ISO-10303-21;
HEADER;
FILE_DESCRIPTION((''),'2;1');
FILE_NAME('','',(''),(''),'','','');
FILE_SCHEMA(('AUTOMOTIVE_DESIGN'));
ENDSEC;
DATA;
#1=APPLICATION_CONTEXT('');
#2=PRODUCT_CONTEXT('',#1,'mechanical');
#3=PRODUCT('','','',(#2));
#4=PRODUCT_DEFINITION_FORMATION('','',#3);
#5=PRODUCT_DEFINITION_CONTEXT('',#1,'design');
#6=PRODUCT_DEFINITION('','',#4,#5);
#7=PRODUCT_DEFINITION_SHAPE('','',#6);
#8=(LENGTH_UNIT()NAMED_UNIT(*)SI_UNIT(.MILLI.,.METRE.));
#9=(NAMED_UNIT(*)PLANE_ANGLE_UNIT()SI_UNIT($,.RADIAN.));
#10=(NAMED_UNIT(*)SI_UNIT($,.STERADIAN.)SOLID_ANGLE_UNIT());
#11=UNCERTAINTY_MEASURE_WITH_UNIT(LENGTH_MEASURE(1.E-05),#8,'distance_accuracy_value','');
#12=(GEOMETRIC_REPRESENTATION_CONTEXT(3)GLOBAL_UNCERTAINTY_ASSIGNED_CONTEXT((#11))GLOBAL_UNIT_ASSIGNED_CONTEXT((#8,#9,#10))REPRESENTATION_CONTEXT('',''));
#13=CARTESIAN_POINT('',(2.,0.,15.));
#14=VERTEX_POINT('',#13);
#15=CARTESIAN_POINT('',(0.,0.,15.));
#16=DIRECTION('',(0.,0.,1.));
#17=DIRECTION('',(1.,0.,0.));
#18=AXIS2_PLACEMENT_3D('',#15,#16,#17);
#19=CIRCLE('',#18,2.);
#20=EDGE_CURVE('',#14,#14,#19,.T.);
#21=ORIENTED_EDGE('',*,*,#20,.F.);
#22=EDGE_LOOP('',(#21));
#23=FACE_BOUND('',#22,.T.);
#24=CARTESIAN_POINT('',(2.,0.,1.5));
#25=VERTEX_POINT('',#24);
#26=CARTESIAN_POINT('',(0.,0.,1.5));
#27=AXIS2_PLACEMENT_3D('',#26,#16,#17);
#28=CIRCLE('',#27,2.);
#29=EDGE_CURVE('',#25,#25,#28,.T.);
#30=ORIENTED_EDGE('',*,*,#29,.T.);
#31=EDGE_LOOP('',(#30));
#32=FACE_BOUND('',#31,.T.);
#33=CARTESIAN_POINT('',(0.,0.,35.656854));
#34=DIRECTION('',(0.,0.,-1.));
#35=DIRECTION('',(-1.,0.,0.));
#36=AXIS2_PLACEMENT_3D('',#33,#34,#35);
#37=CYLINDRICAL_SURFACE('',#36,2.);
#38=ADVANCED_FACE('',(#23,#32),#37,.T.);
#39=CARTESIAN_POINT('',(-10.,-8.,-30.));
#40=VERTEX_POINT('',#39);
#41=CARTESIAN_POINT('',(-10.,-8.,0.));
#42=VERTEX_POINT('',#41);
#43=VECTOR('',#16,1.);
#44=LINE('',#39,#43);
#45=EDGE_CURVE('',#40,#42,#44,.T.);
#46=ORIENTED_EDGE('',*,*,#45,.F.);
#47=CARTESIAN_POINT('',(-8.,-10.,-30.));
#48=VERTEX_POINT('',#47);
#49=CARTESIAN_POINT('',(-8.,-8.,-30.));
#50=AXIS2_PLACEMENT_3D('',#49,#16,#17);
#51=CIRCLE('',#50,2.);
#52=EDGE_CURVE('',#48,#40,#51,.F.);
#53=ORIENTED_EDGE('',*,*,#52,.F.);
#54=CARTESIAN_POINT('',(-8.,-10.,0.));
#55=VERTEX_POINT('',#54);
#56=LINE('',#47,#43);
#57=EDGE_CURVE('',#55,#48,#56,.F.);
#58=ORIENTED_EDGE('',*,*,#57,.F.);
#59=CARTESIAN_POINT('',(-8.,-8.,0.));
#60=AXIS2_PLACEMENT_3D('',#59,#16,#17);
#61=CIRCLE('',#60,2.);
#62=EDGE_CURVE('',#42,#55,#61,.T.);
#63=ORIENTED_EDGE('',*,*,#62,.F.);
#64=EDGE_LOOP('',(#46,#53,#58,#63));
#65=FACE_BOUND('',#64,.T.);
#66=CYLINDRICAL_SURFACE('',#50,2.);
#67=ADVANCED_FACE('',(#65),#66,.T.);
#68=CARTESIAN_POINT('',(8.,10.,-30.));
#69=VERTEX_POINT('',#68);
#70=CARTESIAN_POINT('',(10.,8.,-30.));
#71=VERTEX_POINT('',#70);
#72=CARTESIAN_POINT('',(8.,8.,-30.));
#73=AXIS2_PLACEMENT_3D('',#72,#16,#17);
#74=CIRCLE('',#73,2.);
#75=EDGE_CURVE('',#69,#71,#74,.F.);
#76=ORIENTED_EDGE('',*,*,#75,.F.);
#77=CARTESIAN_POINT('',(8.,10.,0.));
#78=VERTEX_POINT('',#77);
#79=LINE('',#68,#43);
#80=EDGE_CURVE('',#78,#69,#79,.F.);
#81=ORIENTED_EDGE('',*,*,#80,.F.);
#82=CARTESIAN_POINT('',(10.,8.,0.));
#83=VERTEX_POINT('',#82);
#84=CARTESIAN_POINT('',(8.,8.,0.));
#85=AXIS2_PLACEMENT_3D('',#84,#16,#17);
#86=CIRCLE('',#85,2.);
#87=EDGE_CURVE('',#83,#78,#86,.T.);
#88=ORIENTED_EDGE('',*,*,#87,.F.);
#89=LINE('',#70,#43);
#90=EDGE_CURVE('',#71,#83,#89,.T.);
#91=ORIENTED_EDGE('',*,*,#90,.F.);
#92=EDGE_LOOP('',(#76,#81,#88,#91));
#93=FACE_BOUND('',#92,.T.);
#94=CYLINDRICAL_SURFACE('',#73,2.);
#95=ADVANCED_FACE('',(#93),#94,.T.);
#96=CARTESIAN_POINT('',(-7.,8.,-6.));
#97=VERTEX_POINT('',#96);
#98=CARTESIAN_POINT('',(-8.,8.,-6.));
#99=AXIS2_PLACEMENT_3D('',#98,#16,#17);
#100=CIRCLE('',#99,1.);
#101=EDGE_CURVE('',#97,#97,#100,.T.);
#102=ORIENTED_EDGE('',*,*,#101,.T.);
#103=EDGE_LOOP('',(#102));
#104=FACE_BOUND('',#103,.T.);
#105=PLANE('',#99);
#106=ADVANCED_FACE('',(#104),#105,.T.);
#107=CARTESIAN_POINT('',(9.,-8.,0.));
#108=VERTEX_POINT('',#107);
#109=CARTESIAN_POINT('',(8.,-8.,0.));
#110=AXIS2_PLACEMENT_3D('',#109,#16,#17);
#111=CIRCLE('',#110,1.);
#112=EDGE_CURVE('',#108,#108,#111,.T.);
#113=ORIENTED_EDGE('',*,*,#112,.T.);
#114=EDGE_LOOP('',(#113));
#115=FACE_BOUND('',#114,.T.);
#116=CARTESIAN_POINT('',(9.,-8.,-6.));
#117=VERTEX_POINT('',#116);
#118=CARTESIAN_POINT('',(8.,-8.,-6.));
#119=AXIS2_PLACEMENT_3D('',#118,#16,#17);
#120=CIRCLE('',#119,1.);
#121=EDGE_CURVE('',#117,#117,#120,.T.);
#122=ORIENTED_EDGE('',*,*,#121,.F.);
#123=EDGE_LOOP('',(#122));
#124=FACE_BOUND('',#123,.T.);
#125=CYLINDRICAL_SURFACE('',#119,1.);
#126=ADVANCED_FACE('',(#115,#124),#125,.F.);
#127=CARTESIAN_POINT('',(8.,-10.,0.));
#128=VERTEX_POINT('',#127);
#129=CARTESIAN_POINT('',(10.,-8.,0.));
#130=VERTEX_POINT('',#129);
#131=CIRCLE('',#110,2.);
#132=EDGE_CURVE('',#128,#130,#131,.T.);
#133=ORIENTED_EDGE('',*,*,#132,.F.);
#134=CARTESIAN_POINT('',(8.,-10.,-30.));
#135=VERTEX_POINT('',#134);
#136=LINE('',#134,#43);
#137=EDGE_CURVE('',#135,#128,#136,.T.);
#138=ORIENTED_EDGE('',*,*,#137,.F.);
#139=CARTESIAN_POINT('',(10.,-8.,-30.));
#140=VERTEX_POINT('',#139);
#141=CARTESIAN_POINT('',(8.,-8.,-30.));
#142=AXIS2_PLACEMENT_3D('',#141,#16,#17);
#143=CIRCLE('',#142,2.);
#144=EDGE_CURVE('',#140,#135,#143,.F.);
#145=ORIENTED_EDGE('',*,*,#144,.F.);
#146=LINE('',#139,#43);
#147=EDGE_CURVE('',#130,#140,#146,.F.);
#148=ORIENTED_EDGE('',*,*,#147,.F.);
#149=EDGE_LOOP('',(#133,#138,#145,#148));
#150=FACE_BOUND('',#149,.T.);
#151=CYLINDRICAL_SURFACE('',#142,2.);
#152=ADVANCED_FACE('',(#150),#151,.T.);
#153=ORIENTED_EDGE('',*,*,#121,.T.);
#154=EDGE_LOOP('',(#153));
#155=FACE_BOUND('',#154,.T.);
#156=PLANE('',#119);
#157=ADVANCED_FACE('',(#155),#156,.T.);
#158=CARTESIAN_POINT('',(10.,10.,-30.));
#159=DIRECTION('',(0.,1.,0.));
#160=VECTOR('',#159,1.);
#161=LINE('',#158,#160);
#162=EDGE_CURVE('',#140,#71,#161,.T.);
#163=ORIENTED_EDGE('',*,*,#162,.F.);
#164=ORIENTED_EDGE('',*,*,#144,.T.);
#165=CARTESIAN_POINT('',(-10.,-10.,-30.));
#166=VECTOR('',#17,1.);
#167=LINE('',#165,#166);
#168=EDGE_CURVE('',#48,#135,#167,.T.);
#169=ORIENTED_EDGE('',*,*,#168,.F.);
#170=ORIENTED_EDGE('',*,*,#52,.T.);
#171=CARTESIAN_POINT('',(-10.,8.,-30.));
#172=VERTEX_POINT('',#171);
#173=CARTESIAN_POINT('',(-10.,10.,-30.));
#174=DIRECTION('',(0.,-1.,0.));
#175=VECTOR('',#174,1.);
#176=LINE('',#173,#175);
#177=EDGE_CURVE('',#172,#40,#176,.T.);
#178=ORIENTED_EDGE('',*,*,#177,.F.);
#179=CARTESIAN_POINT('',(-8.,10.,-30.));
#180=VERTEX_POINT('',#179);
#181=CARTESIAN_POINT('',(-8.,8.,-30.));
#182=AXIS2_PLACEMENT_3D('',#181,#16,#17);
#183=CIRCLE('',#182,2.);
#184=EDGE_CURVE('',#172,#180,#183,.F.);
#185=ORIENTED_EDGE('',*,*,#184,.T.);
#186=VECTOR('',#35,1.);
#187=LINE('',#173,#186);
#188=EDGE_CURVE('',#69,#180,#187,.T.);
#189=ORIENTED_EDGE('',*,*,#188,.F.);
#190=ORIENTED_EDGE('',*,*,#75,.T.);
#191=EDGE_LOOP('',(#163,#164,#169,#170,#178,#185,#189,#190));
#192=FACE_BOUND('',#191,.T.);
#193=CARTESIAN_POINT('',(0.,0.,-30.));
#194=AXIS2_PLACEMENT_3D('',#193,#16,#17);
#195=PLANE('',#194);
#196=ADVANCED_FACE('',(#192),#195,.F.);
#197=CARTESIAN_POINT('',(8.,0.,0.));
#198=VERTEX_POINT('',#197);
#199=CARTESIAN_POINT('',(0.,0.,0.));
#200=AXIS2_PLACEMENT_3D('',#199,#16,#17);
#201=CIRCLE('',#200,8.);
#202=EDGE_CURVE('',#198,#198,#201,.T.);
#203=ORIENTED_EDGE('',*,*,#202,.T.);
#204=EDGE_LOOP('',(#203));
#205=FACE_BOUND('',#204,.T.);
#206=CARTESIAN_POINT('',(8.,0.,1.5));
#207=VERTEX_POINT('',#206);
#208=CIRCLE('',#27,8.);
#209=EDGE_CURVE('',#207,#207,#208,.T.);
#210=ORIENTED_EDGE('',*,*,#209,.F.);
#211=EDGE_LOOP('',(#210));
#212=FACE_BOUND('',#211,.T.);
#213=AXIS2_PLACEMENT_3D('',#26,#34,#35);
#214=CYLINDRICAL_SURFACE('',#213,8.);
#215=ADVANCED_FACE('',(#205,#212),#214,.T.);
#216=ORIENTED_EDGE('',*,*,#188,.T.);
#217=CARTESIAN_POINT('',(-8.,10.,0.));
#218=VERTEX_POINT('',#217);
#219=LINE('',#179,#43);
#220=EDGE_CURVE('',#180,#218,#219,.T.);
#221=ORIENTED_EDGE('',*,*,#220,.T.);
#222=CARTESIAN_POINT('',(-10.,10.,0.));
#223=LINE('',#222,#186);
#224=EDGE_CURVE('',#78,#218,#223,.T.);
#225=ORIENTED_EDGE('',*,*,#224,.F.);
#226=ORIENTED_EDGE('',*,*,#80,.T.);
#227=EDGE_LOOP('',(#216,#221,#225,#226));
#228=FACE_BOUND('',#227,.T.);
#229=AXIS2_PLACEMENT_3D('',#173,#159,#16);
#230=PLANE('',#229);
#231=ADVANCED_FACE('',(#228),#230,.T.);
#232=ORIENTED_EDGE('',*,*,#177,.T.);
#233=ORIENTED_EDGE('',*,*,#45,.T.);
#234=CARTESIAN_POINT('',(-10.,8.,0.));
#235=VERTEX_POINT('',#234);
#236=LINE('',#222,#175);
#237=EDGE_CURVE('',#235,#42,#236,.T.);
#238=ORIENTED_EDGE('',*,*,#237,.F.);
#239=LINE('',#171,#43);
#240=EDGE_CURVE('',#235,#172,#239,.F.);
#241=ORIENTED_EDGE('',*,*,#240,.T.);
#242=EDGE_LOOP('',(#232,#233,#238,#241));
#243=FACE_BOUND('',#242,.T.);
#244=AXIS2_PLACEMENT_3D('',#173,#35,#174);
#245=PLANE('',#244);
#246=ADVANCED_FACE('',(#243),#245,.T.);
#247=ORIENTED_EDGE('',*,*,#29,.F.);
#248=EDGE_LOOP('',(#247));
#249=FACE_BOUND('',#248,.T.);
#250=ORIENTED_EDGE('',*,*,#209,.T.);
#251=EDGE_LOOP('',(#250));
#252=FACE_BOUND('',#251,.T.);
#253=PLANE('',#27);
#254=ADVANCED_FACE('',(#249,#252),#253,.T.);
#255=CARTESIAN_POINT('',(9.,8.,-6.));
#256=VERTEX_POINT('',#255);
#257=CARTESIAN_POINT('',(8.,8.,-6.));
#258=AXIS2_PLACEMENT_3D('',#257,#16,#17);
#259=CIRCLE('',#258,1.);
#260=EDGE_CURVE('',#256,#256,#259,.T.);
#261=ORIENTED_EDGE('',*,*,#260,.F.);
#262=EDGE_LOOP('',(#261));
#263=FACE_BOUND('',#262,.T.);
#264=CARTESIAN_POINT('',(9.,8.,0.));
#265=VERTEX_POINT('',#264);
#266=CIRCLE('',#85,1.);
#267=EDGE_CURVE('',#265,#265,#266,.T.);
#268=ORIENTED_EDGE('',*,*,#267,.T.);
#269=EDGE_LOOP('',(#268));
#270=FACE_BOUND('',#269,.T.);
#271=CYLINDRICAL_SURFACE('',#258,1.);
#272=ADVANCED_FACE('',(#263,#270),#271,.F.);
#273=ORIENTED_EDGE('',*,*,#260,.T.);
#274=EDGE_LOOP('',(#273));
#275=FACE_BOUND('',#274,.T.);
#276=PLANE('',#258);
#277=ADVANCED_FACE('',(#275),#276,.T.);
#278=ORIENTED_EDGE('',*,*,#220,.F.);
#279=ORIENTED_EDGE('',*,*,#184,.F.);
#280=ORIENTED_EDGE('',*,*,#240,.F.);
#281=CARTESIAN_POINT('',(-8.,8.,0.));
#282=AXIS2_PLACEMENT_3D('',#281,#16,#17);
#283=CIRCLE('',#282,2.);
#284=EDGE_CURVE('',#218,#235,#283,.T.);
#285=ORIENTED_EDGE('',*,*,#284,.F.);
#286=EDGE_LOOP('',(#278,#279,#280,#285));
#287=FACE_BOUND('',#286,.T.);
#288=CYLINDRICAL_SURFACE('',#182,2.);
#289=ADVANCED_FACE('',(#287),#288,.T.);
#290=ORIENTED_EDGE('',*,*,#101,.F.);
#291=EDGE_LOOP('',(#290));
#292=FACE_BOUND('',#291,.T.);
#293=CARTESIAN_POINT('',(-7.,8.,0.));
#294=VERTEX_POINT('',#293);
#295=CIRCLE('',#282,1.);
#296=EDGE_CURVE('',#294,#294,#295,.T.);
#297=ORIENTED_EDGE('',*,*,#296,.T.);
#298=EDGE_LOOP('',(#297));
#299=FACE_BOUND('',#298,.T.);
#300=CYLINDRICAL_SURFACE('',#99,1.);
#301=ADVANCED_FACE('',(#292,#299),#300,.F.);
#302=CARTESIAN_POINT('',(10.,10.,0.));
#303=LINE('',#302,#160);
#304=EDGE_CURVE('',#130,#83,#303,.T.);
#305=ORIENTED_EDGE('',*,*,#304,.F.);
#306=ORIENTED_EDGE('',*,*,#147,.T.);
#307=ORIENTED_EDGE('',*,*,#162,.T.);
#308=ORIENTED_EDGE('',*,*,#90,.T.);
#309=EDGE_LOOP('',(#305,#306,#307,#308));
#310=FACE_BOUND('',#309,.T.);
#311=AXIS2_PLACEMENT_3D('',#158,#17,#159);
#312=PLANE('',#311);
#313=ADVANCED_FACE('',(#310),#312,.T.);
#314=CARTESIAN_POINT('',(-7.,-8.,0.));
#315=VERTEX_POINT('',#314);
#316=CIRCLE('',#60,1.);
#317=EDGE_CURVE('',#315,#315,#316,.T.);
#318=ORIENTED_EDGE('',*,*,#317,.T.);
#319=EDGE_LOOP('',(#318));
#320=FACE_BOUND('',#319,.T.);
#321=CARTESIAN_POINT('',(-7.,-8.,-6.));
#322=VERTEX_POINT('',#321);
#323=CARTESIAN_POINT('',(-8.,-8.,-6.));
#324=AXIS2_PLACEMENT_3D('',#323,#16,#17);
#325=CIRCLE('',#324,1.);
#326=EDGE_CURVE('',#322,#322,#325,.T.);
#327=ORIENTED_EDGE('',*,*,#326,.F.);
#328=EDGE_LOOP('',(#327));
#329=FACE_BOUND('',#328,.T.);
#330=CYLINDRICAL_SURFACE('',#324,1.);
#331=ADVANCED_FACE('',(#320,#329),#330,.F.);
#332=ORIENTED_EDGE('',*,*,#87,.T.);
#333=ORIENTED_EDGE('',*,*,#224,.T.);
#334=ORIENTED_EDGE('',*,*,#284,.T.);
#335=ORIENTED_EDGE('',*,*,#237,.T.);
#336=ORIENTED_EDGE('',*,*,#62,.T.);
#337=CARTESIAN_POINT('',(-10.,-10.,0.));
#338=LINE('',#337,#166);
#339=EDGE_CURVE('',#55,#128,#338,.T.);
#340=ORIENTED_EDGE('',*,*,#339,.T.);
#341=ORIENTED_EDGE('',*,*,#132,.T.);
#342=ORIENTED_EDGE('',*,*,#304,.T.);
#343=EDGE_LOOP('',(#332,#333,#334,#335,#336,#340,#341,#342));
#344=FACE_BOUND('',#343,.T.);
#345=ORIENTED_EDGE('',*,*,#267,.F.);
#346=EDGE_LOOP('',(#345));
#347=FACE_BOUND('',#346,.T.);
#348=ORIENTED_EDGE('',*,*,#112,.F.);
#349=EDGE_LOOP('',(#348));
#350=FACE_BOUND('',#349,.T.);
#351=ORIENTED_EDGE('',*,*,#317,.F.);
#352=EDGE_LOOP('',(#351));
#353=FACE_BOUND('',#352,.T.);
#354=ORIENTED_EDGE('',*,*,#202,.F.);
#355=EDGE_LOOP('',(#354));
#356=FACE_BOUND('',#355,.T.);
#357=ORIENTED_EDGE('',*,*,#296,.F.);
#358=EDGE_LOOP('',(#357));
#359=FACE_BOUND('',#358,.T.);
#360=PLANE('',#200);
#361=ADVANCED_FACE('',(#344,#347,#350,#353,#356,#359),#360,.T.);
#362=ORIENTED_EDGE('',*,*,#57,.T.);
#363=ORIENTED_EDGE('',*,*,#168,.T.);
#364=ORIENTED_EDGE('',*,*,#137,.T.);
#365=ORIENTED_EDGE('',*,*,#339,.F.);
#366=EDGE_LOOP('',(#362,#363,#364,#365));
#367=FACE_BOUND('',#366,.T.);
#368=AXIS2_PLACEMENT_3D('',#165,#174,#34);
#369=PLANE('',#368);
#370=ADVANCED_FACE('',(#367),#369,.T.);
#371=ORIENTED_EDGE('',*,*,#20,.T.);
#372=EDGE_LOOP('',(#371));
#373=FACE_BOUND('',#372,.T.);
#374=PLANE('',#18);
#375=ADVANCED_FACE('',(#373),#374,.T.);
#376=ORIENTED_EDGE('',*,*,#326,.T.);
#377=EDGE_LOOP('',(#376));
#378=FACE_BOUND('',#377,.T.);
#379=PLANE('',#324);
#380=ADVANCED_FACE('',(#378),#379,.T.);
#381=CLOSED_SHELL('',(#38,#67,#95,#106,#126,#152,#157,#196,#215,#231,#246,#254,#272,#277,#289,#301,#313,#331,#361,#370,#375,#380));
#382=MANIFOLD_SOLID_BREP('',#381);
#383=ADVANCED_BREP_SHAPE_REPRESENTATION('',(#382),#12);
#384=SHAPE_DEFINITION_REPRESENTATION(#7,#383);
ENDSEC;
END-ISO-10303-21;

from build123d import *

# Parameters (mm, degrees)
SKETCH1_W           = 20
SKETCH1_H           = 20
BOSS_EXTRUDE1_DEPTH = 30
SKETCH2_R           = 1
CUT_EXTRUDE1_DEPTH  = 6
FILLET1_R           = 2
SKETCH3_R           = 8
BOSS_EXTRUDE2_DEPTH = 1.5
SKETCH4_R           = 2
BOSS_EXTRUDE3_DEPTH = 13.5


with BuildPart() as part:
    # Sketch1 → Boss-Extrude1 (new body)
    with BuildSketch(Plane.XY):
        Rectangle(SKETCH1_W, SKETCH1_H)
    extrude(amount=-BOSS_EXTRUDE1_DEPTH)

    # Sketch2 → Cut-Extrude1 (cut)
    with BuildSketch(Plane.XY):
        with Locations((-8, 8)):
            Circle(SKETCH2_R)
        with Locations((8, 8)):
            Circle(SKETCH2_R)
        with Locations((8, -8)):
            Circle(SKETCH2_R)
        with Locations((-8, -8)):
            Circle(SKETCH2_R)
    extrude(amount=-CUT_EXTRUDE1_DEPTH, mode=Mode.SUBTRACT)

    # Fillet1
    fillet1_edges = [part.edges().sort_by_distance(p)[0] for p in [
        (10, -10, -15),
        (-10, -10, -15),
        (-10, 10, -15),
        (10, 10, -15),
    ]]
    fillet(fillet1_edges, radius=FILLET1_R)

    # Sketch3 → Boss-Extrude2 (add)
    with BuildSketch(Plane.XY):
        Circle(SKETCH3_R)
    extrude(amount=BOSS_EXTRUDE2_DEPTH)

    # Sketch4 → Boss-Extrude3 (add)
    with BuildSketch(Plane.XY.offset(1.5)):
        Circle(SKETCH4_R)
    extrude(amount=BOSS_EXTRUDE3_DEPTH)


solid = part.part
